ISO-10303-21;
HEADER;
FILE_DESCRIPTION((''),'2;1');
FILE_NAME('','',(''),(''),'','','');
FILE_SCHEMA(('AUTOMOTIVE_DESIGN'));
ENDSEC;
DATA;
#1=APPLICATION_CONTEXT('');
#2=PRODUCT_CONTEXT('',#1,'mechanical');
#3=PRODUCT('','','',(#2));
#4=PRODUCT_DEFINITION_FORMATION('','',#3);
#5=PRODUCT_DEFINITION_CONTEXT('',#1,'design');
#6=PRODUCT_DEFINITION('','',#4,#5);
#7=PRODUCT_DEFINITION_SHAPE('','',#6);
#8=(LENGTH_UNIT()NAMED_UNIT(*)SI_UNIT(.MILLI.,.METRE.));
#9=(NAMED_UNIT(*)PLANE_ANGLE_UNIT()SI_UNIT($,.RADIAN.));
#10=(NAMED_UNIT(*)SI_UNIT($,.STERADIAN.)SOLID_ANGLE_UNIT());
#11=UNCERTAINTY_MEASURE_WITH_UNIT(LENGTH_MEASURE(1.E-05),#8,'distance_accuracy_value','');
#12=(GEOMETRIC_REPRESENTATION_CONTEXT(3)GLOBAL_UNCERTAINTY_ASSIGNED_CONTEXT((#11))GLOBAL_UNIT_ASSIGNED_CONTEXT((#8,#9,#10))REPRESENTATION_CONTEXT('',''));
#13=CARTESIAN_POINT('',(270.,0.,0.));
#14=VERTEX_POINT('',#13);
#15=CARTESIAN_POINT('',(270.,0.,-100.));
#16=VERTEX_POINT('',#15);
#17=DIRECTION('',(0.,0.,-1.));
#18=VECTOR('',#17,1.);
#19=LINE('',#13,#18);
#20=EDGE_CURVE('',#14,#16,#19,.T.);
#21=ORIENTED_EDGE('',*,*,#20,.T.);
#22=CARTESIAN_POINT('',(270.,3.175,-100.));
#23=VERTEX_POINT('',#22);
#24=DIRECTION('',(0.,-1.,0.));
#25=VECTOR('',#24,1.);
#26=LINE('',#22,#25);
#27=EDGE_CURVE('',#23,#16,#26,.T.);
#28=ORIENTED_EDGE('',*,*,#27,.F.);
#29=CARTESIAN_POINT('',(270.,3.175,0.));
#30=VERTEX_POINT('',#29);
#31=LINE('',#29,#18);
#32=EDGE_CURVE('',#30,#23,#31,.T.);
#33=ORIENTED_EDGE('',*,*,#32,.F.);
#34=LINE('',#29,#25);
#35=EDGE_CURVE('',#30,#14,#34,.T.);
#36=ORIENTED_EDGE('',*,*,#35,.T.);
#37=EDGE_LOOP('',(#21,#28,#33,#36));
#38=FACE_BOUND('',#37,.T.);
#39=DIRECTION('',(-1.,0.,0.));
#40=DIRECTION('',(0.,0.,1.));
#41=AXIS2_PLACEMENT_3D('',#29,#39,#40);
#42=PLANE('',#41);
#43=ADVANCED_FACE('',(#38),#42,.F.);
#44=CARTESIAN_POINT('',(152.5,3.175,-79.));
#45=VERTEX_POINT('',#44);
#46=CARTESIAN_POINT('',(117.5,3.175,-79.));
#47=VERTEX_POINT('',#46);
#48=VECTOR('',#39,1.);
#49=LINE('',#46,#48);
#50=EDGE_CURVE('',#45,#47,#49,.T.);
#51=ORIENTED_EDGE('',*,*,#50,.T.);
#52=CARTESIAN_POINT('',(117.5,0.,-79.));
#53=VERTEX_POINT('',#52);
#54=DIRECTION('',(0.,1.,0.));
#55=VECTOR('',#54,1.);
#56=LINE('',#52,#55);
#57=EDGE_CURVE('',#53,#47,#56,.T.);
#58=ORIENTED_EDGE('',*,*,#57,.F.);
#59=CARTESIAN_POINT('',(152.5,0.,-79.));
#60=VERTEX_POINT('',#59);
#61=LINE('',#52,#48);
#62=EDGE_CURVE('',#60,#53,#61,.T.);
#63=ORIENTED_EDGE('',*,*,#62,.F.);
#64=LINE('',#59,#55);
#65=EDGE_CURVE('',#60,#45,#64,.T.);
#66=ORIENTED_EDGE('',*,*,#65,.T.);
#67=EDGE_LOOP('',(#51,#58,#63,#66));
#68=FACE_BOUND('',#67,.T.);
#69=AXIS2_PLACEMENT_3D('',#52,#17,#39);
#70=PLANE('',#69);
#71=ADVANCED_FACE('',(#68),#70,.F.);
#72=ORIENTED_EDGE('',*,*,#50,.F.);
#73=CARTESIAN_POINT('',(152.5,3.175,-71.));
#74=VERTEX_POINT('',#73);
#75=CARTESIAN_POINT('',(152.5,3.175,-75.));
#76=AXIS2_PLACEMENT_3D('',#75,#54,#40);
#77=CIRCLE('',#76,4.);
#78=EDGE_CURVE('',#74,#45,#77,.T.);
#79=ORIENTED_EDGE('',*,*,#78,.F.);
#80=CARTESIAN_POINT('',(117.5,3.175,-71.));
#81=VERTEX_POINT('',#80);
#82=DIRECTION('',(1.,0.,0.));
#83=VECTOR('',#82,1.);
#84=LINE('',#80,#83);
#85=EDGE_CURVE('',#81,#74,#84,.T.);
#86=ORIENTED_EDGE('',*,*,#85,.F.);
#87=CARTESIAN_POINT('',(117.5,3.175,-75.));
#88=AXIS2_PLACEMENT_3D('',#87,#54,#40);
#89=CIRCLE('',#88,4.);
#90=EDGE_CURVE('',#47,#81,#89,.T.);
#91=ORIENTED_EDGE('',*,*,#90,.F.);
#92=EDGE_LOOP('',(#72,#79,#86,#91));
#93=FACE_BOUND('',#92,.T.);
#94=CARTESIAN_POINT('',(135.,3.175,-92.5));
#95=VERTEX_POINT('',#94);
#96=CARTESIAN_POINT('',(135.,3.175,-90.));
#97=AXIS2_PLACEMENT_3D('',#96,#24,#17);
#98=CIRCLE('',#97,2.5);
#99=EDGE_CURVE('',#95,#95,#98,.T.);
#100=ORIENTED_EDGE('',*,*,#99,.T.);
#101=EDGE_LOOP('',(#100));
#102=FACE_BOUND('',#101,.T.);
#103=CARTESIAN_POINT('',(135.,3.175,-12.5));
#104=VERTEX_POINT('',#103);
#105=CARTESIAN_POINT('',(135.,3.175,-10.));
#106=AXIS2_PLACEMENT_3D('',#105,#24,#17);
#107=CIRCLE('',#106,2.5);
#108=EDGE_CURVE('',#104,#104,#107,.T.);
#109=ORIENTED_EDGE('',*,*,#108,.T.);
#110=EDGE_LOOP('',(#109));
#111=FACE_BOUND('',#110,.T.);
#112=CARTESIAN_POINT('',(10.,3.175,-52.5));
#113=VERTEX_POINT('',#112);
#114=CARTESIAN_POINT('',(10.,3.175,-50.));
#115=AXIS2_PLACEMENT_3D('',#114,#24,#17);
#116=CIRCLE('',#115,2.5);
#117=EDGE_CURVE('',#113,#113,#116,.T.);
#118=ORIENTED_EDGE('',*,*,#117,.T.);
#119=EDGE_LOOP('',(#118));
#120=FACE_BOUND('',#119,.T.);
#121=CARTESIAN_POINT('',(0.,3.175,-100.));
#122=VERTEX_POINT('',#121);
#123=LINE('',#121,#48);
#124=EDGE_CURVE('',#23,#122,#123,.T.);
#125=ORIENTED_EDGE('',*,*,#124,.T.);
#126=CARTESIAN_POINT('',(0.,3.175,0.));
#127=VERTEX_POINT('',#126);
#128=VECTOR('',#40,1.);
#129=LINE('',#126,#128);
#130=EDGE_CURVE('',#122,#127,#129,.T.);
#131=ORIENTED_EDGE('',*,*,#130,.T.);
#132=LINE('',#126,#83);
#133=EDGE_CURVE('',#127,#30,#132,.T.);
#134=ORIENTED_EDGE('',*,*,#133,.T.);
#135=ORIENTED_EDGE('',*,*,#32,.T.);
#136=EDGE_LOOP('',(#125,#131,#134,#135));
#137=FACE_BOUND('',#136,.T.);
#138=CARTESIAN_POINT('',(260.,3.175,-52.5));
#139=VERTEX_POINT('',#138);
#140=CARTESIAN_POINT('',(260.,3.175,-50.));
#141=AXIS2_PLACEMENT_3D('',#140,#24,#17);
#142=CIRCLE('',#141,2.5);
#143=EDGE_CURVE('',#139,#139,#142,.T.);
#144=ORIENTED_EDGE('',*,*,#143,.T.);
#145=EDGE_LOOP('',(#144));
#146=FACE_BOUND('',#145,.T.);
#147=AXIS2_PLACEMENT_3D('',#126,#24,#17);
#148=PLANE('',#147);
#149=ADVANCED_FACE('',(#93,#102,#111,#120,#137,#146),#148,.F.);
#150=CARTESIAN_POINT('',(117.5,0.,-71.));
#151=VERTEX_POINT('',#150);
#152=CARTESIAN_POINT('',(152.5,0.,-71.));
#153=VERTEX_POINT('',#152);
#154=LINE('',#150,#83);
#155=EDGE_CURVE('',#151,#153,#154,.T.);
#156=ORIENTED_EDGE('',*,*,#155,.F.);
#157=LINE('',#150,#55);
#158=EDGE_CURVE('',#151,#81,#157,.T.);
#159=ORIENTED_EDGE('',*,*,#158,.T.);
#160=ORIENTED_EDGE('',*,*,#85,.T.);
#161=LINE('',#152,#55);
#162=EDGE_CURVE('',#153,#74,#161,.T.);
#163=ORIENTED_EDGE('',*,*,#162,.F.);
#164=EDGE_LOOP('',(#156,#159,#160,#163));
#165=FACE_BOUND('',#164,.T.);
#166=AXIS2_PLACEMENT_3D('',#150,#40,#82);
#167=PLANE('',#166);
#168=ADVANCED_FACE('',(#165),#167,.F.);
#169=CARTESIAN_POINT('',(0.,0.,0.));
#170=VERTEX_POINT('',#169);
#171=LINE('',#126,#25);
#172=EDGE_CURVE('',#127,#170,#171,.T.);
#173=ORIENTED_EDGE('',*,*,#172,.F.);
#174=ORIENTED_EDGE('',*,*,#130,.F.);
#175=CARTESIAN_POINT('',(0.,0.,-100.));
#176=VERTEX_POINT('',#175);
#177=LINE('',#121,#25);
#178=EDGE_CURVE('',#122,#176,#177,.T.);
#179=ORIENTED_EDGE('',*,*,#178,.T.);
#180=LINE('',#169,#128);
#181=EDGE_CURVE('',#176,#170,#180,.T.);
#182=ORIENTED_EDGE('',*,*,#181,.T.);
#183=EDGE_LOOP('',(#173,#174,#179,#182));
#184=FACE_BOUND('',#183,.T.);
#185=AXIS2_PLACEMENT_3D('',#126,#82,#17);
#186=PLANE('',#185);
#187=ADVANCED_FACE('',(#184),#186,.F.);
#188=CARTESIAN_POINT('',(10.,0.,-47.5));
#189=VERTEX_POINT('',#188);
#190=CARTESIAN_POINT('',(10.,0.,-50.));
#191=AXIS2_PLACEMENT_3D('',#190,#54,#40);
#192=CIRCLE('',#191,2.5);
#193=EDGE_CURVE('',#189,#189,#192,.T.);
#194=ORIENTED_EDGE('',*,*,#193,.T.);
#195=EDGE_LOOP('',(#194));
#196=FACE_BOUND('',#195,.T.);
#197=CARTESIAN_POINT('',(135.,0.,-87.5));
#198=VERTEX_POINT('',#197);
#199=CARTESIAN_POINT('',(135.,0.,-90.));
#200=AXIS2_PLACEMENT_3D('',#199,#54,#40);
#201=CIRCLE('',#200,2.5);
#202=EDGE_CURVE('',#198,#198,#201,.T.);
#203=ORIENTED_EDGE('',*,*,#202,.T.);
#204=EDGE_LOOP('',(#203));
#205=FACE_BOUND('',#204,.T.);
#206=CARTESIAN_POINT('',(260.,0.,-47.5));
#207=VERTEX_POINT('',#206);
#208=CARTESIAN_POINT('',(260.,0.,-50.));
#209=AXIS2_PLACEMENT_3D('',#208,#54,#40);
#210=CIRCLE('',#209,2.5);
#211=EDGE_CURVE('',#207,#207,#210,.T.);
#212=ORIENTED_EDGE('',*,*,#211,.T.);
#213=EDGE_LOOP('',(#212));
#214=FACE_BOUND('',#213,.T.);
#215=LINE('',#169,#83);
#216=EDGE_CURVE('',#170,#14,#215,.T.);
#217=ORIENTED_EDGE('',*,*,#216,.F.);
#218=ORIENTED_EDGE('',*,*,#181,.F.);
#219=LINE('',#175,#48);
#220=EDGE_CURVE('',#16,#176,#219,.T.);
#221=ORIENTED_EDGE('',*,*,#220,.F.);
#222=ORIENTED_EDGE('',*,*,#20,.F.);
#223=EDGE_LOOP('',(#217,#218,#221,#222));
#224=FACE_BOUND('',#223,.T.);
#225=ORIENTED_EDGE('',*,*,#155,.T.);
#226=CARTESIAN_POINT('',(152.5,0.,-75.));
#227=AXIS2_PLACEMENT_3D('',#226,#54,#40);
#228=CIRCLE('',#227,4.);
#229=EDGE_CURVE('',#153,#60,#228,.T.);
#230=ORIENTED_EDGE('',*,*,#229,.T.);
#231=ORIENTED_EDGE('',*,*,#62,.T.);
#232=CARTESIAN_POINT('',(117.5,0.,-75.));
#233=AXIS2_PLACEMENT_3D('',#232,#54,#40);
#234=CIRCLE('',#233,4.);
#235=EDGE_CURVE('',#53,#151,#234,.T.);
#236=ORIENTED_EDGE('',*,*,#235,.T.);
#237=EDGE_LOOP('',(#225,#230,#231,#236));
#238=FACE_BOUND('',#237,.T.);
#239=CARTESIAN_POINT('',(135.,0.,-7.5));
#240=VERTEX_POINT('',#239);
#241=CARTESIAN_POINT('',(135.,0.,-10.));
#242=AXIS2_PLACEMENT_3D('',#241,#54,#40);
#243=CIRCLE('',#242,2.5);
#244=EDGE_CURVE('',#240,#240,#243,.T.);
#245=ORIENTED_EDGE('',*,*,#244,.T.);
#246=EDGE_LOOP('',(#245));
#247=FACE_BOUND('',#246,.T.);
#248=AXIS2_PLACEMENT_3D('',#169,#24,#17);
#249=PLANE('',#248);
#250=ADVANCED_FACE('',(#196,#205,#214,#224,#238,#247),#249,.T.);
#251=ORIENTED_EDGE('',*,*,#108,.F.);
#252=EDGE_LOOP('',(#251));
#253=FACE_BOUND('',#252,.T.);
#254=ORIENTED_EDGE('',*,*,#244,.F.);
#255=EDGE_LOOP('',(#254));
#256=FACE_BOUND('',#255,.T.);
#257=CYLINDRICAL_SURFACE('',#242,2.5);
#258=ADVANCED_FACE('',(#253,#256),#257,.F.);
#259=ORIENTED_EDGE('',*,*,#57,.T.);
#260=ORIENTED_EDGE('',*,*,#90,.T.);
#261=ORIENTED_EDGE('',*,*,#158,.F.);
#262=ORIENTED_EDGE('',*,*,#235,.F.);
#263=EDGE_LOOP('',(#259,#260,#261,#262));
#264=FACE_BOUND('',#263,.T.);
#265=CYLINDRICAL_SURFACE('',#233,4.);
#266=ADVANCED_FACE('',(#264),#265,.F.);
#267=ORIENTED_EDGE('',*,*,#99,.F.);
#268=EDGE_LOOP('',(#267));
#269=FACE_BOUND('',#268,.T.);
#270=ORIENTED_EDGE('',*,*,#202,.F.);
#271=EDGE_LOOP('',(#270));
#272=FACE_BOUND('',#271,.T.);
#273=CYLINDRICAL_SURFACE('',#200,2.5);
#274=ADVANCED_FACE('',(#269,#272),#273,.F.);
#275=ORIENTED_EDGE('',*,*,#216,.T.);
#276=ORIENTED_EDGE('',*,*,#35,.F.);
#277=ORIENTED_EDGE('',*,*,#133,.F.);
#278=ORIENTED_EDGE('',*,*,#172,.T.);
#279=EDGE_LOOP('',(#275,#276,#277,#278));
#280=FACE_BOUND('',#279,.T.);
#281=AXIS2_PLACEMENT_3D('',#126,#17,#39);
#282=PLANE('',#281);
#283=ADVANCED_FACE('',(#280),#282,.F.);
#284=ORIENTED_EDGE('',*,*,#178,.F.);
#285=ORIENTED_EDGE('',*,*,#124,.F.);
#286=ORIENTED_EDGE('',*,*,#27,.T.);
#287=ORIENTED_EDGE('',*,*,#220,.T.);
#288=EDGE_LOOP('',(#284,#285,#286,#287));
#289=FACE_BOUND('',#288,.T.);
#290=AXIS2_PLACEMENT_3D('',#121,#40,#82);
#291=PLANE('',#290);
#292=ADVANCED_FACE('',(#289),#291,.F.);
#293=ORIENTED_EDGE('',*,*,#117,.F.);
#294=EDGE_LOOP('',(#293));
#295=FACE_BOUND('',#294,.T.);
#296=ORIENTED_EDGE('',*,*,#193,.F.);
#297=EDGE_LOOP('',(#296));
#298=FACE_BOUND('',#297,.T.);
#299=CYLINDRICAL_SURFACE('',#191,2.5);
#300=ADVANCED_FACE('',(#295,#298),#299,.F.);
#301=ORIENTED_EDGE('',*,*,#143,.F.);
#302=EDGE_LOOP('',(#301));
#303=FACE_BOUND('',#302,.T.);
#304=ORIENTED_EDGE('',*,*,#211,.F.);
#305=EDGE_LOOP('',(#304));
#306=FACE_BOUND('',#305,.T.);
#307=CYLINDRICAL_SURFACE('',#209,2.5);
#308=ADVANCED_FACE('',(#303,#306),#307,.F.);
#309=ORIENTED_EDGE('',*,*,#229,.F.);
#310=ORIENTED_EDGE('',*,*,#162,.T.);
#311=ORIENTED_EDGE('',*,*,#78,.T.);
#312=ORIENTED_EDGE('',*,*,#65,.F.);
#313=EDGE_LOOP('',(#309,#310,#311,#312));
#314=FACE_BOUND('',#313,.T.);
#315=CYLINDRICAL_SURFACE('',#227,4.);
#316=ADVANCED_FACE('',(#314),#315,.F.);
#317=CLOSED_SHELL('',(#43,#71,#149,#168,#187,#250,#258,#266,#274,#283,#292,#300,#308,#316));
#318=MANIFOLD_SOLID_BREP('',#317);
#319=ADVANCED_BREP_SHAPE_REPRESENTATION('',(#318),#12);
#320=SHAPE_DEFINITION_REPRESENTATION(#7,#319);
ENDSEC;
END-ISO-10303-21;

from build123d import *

# Parameters (mm, degrees)
SKETCH1_W               = 270
SKETCH1_H               = 100
BOSS_EXTRUDE1_DEPTH     = 3.175
SKETCH1_H_2             = 140
BOSS_EXTRUDE1_2_DEPTH   = 3.175
SKETCH2_R               = 2.5
CUT_EXTRUDE1_DEPTH      = 1
CUT_EXTRUDE1_DEPTH_BACK = 4.175


with BuildPart() as part:
    # Sketch1 → Boss-Extrude1 (new body)
    with BuildSketch(Plane(origin=(0, 0, 0), x_dir=(1, 0, 0), z_dir=(0, 1, 0))):
        with Locations((135, 50)):
            Rectangle(SKETCH1_W, SKETCH1_H)
    extrude(amount=BOSS_EXTRUDE1_DEPTH)


with BuildPart() as body_2:
    # Sketch1 → Boss-Extrude1 2 (new body)
    with BuildSketch(Plane(origin=(0, 0, 0), x_dir=(1, 0, 0), z_dir=(0, 1, 0))):
        with Locations((135, 175)):
            Rectangle(SKETCH1_W, SKETCH1_H_2)
    extrude(amount=BOSS_EXTRUDE1_2_DEPTH)


with BuildPart() as cut_extrude1_tool:
    # Sketch2 → Cut-Extrude1 (new body, two sides)
    with BuildSketch(Plane(origin=(0, 3.175, 0), x_dir=(1, 0, 0), z_dir=(0, 1, 0))) as cut_extrude1_sk:
        with Locations((10, 175)):
            Circle(SKETCH2_R)
        with Locations((10, 50)):
            Circle(SKETCH2_R)
        with Locations((260, 50)):
            Circle(SKETCH2_R)
        with Locations((260, 175)):
            Circle(SKETCH2_R)
        with Locations((135, 115)):
            Circle(SKETCH2_R)
        with Locations((135, 235)):
            Circle(SKETCH2_R)
        with Locations((135, 90)):
            Circle(SKETCH2_R)
        with Locations((135, 10)):
            Circle(SKETCH2_R)
        with BuildLine():
            Line((117.5, 79), (152.5, 79))
            ThreePointArc((152.5, 79), (156.5, 75), (152.5, 71))
            Line((152.5, 71), (117.5, 71))
            ThreePointArc((117.5, 71), (113.5, 75), (117.5, 79))
        make_face()
    extrude(amount=CUT_EXTRUDE1_DEPTH)
    extrude(cut_extrude1_sk.sketch, amount=-CUT_EXTRUDE1_DEPTH_BACK)


with BuildPart() as part_1:
    add(part.part)

    # Cut-Extrude1: cut by cut_extrude1_tool
    add(cut_extrude1_tool.part, mode=Mode.SUBTRACT)


with BuildPart() as body_2_1:
    add(body_2.part)

    # Cut-Extrude1: cut by cut_extrude1_tool
    add(cut_extrude1_tool.part, mode=Mode.SUBTRACT)


solid = part_1.part
